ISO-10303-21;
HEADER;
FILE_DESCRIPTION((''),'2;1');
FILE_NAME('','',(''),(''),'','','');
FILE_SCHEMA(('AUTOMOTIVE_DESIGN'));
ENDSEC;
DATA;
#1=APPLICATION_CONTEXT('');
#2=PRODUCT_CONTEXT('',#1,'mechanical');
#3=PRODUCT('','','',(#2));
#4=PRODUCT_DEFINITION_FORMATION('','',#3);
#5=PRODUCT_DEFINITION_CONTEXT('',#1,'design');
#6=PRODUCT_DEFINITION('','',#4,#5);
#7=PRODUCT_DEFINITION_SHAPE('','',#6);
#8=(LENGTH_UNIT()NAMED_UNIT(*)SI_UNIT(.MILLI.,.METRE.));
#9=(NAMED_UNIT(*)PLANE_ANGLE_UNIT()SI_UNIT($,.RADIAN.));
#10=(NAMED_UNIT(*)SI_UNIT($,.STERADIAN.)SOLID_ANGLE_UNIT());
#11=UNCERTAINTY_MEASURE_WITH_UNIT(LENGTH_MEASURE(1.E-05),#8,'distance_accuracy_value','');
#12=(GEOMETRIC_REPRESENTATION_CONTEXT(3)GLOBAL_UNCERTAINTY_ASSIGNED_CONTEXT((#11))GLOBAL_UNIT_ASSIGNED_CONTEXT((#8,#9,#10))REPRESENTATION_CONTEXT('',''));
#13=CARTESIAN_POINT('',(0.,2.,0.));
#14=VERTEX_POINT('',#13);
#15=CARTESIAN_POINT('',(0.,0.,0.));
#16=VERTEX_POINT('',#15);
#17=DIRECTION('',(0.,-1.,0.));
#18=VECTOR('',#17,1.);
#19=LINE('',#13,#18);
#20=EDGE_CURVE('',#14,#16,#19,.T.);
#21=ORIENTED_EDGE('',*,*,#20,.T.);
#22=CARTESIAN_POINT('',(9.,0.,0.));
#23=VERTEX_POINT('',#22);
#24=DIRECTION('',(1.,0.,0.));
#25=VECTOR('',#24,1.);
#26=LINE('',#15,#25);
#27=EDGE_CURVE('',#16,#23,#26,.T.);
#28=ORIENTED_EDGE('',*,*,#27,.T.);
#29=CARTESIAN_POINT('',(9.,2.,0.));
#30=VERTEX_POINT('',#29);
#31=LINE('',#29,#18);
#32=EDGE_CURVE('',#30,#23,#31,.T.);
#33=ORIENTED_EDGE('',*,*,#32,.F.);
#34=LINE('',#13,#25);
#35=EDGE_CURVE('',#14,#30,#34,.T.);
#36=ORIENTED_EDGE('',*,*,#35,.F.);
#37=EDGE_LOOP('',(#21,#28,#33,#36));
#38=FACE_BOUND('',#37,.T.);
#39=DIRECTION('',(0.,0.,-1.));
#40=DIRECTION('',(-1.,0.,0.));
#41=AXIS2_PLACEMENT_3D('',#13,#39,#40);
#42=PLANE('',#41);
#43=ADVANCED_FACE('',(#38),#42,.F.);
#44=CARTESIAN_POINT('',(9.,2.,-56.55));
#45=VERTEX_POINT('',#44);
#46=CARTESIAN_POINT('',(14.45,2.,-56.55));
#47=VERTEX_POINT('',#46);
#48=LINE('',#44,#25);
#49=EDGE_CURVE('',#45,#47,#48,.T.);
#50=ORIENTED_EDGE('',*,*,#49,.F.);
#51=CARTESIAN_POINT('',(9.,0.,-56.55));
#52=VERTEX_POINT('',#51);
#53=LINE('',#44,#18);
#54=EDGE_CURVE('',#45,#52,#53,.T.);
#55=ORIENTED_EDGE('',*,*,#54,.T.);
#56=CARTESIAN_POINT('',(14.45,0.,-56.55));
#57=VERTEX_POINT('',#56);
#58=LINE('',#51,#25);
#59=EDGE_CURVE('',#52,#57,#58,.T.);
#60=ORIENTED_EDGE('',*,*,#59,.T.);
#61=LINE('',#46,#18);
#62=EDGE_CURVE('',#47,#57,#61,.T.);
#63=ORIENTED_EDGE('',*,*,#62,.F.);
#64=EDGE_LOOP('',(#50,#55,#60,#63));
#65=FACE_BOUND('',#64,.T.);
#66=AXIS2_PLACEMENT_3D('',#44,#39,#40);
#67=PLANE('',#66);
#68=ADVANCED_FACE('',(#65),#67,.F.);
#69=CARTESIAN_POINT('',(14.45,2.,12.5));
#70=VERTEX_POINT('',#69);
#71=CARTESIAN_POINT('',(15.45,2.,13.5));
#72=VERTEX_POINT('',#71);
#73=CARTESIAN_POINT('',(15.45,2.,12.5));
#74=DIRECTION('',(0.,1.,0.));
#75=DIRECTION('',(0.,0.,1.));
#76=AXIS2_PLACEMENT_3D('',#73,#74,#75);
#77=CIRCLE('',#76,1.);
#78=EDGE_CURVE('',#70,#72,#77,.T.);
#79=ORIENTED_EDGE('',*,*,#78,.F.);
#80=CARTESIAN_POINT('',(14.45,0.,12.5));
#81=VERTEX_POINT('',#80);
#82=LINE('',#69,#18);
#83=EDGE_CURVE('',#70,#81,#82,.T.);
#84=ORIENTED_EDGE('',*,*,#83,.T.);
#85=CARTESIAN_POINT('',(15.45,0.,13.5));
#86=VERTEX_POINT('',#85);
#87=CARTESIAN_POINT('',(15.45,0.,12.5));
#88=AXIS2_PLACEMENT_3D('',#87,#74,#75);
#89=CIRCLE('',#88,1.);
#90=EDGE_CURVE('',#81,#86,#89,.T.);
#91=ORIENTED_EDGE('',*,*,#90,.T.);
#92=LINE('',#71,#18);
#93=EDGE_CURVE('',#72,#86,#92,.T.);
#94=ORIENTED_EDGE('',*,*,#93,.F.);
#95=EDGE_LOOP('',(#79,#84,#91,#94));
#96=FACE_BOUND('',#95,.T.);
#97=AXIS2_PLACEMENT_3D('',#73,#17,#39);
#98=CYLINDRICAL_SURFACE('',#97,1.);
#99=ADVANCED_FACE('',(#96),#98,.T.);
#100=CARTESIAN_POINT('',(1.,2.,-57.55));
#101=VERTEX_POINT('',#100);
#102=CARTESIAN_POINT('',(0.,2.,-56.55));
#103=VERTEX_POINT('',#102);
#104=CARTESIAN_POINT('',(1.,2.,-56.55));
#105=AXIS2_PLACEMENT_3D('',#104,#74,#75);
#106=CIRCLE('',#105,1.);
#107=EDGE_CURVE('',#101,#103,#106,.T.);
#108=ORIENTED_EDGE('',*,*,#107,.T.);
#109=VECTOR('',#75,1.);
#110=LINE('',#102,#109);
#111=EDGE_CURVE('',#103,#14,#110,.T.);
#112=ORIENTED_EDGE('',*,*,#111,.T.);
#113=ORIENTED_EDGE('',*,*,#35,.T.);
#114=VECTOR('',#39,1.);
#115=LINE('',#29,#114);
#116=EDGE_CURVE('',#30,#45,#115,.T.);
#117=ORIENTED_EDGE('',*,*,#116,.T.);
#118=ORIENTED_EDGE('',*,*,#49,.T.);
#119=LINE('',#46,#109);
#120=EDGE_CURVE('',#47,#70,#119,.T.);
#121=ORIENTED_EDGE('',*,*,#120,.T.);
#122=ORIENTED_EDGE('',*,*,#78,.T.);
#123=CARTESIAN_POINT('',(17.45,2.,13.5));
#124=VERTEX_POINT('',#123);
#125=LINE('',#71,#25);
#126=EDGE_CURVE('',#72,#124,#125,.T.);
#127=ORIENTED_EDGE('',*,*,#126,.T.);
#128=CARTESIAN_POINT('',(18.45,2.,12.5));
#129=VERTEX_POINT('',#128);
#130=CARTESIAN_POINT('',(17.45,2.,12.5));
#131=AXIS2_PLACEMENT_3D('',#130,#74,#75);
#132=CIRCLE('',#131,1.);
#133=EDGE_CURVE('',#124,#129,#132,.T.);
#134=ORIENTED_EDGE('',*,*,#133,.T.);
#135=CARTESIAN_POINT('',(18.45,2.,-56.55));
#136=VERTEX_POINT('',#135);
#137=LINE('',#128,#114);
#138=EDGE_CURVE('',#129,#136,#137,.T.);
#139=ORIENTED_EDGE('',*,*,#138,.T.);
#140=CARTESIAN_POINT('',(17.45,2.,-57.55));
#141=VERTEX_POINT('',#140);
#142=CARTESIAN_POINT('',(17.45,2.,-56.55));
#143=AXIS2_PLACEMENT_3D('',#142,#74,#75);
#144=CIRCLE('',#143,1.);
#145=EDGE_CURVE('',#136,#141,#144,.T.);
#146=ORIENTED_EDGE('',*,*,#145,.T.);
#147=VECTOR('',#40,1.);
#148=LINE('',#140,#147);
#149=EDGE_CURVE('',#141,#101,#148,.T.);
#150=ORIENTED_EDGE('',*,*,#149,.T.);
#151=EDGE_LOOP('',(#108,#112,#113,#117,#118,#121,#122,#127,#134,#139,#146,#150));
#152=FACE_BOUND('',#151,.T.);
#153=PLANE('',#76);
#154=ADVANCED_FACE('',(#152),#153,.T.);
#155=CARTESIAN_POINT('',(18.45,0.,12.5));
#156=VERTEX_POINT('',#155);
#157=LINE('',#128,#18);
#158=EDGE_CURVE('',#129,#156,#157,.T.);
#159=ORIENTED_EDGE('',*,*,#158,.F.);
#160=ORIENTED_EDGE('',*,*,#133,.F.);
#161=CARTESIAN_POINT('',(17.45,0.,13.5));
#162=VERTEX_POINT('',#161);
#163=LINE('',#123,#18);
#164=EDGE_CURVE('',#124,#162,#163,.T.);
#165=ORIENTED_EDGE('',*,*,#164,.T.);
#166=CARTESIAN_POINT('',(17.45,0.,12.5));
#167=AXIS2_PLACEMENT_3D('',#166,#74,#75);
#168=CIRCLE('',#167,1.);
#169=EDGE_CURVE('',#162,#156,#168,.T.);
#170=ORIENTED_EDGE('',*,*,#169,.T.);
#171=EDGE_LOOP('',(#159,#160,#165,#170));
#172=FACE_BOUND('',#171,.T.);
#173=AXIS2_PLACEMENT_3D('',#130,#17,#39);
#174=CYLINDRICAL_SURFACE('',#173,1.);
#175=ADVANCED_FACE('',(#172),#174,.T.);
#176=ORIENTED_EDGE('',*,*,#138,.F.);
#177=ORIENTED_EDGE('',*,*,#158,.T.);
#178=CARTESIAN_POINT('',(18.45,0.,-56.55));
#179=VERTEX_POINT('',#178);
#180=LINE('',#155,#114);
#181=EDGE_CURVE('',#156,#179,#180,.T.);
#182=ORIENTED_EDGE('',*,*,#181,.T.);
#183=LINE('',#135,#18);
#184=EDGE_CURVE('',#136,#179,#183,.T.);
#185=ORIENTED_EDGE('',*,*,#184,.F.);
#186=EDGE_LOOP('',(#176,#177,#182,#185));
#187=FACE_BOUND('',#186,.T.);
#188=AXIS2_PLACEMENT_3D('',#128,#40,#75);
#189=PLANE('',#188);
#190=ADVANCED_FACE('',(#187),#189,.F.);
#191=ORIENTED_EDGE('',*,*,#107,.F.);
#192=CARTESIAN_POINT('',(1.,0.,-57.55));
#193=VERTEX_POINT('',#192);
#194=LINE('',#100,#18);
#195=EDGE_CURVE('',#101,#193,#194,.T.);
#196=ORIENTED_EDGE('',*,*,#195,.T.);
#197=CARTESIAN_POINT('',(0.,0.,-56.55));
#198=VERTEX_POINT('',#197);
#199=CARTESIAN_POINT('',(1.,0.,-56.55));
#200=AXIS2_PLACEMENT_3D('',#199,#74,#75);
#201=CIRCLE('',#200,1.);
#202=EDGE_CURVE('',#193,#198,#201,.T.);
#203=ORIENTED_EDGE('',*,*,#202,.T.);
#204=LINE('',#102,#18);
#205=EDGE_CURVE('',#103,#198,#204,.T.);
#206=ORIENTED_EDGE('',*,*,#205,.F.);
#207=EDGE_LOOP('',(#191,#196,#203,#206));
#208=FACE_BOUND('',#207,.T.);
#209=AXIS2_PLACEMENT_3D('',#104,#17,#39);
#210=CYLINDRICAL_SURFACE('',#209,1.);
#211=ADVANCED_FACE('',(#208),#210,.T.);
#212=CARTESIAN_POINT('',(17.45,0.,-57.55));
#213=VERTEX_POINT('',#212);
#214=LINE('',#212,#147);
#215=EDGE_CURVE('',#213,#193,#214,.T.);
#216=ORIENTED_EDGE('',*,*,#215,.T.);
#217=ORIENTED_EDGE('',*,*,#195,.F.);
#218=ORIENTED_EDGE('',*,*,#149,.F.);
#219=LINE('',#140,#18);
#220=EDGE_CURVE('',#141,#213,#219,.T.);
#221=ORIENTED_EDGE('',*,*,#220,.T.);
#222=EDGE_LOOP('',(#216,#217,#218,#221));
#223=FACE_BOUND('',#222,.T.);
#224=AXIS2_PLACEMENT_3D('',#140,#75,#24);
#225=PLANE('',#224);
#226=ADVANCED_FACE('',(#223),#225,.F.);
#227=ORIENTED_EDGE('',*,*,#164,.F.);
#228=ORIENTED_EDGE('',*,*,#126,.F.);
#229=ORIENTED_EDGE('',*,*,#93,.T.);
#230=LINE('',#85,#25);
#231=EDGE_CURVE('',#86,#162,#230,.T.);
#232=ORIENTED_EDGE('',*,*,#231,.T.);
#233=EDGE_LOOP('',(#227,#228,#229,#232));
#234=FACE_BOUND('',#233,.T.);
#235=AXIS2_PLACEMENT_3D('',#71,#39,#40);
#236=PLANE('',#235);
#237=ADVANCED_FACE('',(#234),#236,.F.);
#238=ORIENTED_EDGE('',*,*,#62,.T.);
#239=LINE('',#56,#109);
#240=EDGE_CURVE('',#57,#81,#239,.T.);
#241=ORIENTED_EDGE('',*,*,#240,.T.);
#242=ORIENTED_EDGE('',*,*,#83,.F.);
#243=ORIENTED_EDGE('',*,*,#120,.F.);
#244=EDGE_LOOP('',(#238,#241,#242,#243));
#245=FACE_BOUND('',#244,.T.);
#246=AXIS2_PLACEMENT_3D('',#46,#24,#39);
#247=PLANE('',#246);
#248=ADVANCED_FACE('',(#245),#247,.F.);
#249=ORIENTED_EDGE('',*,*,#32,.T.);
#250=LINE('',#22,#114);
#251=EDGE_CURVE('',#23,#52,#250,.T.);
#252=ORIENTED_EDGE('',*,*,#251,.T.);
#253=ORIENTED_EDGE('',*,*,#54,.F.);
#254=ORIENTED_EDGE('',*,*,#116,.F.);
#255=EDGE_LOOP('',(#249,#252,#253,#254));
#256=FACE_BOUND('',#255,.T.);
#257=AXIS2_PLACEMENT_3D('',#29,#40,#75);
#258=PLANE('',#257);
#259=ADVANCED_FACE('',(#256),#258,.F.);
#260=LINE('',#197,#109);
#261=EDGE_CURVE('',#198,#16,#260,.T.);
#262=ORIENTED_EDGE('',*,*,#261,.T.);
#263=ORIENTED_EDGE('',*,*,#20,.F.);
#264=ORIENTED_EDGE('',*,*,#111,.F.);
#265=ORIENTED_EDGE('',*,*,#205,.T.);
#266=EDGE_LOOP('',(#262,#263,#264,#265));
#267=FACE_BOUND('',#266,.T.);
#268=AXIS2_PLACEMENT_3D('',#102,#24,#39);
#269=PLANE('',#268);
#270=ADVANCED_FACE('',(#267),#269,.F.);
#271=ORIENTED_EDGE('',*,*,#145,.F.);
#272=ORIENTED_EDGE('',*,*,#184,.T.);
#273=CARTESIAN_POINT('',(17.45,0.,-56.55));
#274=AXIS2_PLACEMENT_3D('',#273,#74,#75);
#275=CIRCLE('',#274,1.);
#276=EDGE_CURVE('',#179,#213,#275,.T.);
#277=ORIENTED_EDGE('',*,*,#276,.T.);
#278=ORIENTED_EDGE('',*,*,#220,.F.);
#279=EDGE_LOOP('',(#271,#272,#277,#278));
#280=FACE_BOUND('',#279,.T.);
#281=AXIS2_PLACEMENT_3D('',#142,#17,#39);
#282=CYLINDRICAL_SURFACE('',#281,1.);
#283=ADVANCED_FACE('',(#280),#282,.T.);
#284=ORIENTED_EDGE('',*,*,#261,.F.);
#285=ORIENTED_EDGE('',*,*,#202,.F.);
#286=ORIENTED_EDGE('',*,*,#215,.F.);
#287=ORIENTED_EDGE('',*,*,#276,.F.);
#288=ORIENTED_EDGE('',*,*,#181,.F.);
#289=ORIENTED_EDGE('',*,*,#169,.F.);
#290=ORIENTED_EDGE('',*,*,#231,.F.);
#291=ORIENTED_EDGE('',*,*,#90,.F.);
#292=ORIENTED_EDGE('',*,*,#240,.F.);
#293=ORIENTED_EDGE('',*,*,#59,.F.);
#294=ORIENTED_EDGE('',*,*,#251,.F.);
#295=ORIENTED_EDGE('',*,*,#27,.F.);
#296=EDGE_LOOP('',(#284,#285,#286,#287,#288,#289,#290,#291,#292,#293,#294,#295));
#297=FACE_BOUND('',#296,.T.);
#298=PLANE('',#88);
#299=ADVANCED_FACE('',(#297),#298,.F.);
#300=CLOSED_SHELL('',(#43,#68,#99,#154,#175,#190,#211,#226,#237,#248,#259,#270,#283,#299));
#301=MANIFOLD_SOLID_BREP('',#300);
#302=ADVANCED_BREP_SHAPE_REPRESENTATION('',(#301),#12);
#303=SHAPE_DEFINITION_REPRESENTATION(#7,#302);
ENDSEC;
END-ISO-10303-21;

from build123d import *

# Parameters (mm, degrees)
EXTRUDE_1_DEPTH = 2


with BuildPart() as part:
    # ｽｹｯﾁ2 → ﾎﾞｽ - 押し出し1 (new body)
    with BuildSketch(Plane(origin=(0, 0, 0), x_dir=(1, 0, 0), z_dir=(0, 1, 0))):
        with BuildLine():
            Line((0, 0), (9, 0))
            Line((9, 0), (9, 56.55))
            Line((9, 56.55), (14.45, 56.55))
            Line((14.45, 56.55), (14.45, -12.5))
            ThreePointArc((14.45, -12.5), (14.742893219, -13.207106781), (15.45, -13.5))
            Line((15.45, -13.5), (17.45, -13.5))
            ThreePointArc((17.45, -13.5), (18.157106781, -13.207106781), (18.45, -12.5))
            Line((18.45, -12.5), (18.45, 56.55))
            ThreePointArc((18.45, 56.55), (18.157106781, 57.257106781), (17.45, 57.55))
            Line((17.45, 57.55), (1, 57.55))
            ThreePointArc((1, 57.55), (0.292893219, 57.257106781), (0, 56.55))
            Line((0, 56.55), (0, 0))
        make_face()
    extrude(amount=EXTRUDE_1_DEPTH)


solid = part.part
